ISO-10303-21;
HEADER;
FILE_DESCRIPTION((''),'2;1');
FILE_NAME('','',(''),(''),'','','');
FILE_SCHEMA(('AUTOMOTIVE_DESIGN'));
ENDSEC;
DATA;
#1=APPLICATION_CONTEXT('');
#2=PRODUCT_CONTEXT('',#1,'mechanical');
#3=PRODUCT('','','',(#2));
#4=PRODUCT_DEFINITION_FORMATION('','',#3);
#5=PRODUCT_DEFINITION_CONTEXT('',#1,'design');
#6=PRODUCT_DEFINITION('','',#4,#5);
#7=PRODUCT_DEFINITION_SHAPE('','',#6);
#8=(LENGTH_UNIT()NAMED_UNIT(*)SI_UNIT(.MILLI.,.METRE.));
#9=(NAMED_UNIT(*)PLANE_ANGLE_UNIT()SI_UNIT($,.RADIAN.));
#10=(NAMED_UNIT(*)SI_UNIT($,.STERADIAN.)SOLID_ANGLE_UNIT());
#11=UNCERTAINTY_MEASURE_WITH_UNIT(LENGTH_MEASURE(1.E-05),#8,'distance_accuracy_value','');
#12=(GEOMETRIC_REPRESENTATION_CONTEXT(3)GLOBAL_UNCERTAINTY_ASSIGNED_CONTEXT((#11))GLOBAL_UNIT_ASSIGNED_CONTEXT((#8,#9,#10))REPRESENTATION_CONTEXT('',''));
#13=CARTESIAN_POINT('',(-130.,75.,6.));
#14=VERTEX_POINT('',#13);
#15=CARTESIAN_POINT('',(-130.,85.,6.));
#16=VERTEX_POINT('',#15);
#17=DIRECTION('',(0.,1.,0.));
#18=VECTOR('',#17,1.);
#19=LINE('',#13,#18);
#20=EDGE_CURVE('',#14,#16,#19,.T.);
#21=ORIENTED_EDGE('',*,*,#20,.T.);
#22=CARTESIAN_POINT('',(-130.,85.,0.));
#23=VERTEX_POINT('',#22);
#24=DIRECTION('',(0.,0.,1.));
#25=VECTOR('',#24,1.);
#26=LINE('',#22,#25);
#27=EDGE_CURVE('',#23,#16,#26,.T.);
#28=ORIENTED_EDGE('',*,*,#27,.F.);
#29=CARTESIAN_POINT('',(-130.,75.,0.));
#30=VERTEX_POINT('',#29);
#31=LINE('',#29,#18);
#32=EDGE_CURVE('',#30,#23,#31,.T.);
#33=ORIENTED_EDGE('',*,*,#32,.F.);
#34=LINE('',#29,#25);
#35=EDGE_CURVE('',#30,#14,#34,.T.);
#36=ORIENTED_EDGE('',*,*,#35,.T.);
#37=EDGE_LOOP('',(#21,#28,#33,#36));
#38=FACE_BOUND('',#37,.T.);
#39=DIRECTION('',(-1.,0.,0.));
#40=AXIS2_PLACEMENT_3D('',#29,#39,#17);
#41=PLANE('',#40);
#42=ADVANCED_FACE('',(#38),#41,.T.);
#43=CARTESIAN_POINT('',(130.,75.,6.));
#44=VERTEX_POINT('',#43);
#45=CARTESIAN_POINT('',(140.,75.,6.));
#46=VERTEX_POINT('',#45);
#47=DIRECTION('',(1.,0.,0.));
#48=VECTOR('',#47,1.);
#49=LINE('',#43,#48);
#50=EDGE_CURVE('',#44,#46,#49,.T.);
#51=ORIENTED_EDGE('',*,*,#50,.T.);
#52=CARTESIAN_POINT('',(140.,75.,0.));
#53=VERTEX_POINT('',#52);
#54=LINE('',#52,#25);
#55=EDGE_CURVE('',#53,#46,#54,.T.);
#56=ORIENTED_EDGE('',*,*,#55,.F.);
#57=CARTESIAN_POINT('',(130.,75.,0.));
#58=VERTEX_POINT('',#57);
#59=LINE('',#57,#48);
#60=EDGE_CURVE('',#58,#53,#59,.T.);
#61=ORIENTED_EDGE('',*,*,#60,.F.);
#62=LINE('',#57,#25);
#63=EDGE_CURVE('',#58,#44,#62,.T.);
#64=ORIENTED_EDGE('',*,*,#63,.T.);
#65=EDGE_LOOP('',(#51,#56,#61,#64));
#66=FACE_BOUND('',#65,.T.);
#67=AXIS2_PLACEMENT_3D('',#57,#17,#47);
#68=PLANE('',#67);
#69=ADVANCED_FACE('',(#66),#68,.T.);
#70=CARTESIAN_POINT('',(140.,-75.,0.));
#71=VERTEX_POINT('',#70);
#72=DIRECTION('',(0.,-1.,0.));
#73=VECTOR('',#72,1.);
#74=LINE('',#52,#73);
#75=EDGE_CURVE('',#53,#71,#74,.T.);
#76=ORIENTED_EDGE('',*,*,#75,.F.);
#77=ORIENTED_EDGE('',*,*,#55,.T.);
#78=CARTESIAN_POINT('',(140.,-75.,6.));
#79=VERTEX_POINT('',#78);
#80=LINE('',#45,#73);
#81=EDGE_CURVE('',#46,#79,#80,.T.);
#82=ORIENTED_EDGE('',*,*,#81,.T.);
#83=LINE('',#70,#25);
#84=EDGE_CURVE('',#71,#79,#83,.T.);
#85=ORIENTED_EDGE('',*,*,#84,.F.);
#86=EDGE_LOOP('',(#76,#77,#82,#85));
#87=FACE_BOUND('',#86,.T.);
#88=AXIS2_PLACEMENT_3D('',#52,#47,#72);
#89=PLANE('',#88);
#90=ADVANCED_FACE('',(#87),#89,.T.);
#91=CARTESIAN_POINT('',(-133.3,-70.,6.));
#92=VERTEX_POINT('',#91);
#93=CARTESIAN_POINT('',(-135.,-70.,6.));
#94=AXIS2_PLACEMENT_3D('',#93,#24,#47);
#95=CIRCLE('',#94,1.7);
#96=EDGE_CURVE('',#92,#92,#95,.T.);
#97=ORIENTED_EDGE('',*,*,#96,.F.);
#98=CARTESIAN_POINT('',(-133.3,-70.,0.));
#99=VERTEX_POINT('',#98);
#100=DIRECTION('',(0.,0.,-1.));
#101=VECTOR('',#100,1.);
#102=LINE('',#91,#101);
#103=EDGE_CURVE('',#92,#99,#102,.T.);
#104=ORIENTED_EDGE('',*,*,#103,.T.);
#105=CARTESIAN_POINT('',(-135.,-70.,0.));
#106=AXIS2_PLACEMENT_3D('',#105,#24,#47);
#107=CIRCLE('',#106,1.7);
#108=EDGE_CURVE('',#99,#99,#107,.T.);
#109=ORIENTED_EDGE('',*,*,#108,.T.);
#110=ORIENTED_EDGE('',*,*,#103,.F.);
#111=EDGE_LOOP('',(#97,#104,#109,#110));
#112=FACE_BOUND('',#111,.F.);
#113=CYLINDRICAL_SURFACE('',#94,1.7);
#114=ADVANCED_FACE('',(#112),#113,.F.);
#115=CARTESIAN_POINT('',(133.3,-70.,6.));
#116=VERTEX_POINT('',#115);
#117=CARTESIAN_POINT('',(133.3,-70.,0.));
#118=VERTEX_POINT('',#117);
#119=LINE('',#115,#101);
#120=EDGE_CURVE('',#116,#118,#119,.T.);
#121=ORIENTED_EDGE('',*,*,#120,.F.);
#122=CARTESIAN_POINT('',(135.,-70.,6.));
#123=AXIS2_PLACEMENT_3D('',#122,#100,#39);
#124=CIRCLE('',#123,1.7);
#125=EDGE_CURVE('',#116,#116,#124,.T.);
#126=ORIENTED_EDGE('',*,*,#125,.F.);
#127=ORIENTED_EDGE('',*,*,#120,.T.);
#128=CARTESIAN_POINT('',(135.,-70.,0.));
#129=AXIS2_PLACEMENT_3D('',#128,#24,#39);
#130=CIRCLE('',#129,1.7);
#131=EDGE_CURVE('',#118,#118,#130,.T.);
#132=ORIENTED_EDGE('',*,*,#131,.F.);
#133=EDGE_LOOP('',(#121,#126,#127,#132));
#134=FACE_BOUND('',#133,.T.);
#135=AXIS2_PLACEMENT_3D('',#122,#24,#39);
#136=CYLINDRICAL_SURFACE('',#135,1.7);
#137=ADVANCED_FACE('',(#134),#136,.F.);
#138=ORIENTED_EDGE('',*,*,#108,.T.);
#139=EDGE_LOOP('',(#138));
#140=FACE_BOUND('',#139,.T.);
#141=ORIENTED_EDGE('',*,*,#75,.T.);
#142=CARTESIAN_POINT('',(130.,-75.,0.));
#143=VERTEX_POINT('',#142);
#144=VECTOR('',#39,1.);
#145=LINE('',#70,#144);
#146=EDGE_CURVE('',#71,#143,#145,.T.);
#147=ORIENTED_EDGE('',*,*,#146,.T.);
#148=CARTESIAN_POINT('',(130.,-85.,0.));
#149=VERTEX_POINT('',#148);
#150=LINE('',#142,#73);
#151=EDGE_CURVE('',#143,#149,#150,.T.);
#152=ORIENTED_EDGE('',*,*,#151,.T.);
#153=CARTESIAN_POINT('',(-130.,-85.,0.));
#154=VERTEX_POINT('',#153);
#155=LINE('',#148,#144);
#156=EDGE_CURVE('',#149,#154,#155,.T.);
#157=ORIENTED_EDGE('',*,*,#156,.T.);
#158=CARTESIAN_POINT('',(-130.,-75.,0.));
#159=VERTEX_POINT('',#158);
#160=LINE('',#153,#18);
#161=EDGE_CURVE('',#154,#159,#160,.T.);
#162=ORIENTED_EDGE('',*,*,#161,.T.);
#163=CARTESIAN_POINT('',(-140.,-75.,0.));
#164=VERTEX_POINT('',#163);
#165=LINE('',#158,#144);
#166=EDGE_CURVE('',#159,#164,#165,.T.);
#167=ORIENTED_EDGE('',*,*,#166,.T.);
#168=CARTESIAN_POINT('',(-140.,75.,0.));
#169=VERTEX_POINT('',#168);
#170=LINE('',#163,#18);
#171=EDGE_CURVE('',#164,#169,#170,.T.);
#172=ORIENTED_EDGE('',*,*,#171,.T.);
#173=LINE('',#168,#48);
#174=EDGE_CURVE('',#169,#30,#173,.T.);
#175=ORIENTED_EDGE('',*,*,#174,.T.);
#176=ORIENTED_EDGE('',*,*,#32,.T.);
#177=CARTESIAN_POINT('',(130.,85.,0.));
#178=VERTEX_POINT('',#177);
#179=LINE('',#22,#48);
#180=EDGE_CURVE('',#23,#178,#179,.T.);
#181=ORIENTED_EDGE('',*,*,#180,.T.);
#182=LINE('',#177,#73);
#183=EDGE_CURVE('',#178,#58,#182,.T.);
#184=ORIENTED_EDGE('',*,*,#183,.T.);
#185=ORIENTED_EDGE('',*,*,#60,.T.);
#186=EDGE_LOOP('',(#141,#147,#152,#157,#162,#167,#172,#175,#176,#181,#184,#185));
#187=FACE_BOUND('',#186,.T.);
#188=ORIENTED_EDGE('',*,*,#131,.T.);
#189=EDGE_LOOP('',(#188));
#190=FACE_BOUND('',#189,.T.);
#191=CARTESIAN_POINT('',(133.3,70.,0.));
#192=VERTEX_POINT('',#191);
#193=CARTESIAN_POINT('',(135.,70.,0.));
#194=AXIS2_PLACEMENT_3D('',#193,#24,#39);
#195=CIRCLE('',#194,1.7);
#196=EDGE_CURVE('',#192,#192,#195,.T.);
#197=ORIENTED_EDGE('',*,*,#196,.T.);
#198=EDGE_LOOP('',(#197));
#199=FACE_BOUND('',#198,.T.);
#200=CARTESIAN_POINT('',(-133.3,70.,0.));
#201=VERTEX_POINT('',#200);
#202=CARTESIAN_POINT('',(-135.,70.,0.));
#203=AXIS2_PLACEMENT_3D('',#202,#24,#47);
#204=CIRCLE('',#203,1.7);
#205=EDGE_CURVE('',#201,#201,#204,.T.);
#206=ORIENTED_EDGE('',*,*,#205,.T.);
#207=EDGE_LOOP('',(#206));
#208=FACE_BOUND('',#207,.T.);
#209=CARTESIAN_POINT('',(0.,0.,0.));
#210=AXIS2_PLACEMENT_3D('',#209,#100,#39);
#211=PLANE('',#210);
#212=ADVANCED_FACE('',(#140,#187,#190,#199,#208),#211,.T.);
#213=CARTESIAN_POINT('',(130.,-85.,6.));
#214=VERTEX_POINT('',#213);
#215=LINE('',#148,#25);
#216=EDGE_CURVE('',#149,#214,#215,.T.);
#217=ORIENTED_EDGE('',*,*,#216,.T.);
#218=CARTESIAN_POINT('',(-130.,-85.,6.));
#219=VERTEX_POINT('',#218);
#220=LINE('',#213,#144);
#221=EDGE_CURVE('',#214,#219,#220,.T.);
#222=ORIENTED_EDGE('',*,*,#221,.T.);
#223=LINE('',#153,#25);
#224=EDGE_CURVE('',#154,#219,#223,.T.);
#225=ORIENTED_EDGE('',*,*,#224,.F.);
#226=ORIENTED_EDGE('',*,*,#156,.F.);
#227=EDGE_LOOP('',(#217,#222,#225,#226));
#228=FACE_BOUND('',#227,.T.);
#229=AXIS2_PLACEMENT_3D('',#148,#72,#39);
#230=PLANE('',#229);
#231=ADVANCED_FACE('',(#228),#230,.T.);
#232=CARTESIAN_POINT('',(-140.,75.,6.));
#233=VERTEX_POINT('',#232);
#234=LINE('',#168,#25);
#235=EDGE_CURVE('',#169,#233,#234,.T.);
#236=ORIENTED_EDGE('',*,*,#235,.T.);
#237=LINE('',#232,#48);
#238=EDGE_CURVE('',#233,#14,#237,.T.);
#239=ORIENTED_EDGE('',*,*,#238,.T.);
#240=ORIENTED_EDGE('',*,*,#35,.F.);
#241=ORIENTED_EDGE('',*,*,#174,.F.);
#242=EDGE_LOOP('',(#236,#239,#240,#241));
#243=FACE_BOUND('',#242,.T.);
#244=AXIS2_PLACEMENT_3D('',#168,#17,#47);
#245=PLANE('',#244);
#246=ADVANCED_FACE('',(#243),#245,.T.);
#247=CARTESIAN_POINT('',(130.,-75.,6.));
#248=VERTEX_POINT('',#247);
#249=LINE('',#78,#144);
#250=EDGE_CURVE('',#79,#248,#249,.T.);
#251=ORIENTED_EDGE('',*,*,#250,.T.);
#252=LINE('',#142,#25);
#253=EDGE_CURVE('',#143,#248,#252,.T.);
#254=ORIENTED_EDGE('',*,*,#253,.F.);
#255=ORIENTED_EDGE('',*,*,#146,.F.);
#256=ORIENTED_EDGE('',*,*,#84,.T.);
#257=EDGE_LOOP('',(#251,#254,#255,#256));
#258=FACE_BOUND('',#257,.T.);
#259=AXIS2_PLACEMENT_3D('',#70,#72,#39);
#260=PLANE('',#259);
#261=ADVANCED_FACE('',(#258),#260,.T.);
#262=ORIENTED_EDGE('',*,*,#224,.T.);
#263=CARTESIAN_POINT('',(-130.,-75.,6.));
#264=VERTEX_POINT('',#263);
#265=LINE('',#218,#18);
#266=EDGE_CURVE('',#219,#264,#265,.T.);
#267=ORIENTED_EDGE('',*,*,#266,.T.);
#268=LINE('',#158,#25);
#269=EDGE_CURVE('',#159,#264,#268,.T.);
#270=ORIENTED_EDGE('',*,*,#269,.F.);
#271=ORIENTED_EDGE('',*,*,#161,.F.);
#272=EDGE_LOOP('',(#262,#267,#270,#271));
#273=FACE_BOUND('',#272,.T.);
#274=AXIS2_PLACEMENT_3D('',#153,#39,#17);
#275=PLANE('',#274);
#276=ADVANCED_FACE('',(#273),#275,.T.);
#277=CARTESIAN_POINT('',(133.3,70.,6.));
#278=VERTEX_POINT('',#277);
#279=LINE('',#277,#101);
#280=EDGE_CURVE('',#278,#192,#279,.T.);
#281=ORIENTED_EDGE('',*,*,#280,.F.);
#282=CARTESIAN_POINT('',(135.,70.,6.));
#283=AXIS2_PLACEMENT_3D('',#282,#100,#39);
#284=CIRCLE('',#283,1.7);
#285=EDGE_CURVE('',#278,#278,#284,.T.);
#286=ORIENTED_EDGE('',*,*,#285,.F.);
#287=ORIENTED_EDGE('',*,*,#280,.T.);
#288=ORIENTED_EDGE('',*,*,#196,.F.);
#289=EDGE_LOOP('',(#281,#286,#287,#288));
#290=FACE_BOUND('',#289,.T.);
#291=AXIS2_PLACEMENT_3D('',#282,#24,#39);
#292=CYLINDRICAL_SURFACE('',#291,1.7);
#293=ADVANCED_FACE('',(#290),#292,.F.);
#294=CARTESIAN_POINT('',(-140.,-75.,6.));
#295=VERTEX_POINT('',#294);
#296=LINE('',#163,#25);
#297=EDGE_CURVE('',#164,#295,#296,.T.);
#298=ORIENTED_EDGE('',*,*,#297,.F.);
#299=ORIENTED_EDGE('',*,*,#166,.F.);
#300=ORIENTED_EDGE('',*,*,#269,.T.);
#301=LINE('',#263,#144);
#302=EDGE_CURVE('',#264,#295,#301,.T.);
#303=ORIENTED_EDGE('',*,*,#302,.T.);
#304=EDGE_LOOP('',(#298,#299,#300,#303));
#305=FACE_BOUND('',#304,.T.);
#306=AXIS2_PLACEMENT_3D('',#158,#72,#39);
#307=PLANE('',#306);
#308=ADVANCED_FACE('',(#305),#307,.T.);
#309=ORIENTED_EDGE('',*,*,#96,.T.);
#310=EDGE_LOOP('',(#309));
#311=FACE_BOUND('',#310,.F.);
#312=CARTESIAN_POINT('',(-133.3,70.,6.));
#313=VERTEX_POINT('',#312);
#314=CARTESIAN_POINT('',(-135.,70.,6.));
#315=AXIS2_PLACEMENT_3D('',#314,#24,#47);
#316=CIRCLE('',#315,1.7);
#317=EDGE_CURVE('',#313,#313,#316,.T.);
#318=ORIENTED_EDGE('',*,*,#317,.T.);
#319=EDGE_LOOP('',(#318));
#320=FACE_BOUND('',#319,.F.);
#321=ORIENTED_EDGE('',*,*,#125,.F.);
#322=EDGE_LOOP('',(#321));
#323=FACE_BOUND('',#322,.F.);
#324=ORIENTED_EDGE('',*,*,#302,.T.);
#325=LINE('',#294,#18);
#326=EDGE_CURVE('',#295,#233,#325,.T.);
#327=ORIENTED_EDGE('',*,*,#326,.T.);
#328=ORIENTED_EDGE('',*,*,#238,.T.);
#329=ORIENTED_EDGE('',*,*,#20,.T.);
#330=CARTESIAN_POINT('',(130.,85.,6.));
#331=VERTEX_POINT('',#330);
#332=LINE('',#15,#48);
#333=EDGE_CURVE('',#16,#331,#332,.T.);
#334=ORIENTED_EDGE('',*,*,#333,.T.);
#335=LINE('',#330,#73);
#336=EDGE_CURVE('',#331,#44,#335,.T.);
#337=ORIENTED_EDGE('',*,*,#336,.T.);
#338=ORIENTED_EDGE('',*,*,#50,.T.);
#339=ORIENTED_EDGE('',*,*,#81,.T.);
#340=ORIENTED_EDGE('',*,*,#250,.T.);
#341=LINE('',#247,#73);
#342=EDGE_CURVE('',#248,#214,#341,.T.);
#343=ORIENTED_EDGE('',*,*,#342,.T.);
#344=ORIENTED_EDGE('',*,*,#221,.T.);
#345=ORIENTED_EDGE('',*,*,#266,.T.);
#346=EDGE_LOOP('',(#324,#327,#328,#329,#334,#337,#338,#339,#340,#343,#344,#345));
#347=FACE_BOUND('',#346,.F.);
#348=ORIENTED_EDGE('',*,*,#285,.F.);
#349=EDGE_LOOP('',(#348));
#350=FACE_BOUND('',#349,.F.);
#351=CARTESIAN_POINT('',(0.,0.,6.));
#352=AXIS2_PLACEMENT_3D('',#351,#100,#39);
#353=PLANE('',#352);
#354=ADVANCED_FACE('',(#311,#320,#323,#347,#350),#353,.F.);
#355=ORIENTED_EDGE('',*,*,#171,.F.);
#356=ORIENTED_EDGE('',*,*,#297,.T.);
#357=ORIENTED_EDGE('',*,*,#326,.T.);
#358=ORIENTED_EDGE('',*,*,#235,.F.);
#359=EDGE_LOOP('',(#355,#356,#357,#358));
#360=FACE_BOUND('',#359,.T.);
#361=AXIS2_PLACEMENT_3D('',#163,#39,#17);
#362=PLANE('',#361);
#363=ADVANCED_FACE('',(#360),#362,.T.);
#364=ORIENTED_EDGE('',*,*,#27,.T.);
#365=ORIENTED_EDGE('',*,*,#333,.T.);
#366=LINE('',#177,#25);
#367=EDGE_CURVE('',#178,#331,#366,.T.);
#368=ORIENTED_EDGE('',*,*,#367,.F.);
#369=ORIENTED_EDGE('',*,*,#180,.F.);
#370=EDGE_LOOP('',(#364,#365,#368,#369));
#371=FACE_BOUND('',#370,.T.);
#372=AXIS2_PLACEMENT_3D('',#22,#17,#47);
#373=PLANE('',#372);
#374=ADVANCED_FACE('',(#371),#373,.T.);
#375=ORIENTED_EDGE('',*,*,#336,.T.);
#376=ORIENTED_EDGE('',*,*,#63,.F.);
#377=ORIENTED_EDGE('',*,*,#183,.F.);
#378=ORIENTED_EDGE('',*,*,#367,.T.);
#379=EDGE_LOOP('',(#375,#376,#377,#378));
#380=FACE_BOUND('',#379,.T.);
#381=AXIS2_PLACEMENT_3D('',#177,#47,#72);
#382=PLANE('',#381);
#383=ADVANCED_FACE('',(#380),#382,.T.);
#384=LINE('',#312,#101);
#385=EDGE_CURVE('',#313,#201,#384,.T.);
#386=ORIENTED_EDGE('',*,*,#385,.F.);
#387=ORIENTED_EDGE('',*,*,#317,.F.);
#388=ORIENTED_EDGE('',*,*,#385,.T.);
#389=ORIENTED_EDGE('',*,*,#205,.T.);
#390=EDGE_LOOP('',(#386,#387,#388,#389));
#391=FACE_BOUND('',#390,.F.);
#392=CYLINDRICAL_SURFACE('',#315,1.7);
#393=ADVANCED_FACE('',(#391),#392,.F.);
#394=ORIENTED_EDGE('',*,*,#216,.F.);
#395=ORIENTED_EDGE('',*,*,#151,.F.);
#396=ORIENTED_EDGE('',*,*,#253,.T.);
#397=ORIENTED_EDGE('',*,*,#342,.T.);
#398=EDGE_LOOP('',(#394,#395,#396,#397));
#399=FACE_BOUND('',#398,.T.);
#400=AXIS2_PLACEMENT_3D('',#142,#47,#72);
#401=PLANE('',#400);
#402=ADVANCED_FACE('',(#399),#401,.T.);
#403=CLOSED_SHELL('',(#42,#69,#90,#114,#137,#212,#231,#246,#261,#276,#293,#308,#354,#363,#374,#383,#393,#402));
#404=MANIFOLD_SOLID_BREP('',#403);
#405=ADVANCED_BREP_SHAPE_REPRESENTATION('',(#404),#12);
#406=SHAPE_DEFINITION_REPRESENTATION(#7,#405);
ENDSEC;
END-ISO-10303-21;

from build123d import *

# Parameters (mm, degrees)
PAD_DEPTH    = 6
SKETCH001_R  = 1.7
POCKET_DEPTH = 661.244466


with BuildPart() as part:
    # Sketch → Pad (new body)
    with BuildSketch(Plane.XY):
        Polygon((-140, -75), (-140, 75), (-130, 75), (-130, 85), (130, 85), (130, 75), (140, 75), (140, -75), (130, -75), (130, -85), (-130, -85), (-130, -75), align=None)
    extrude(amount=PAD_DEPTH)

    # Sketch001 (on Face14 of Pad) → Pocket (cut, through all)
    with BuildSketch(Plane.XY.offset(6)):
        with Locations((-135, 70)):
            Circle(SKETCH001_R)
        with Locations((-135, -70)):
            Circle(SKETCH001_R)
    pocket = extrude(amount=-POCKET_DEPTH, mode=Mode.SUBTRACT)

    # Mirrored: Pocket across Sketch001 V_Axis
    add(pocket.mirror(Plane(origin=(0, 0, 6), x_dir=(0, 0, 1), z_dir=(1, 0, 0))), mode=Mode.SUBTRACT)


solid = part.part
